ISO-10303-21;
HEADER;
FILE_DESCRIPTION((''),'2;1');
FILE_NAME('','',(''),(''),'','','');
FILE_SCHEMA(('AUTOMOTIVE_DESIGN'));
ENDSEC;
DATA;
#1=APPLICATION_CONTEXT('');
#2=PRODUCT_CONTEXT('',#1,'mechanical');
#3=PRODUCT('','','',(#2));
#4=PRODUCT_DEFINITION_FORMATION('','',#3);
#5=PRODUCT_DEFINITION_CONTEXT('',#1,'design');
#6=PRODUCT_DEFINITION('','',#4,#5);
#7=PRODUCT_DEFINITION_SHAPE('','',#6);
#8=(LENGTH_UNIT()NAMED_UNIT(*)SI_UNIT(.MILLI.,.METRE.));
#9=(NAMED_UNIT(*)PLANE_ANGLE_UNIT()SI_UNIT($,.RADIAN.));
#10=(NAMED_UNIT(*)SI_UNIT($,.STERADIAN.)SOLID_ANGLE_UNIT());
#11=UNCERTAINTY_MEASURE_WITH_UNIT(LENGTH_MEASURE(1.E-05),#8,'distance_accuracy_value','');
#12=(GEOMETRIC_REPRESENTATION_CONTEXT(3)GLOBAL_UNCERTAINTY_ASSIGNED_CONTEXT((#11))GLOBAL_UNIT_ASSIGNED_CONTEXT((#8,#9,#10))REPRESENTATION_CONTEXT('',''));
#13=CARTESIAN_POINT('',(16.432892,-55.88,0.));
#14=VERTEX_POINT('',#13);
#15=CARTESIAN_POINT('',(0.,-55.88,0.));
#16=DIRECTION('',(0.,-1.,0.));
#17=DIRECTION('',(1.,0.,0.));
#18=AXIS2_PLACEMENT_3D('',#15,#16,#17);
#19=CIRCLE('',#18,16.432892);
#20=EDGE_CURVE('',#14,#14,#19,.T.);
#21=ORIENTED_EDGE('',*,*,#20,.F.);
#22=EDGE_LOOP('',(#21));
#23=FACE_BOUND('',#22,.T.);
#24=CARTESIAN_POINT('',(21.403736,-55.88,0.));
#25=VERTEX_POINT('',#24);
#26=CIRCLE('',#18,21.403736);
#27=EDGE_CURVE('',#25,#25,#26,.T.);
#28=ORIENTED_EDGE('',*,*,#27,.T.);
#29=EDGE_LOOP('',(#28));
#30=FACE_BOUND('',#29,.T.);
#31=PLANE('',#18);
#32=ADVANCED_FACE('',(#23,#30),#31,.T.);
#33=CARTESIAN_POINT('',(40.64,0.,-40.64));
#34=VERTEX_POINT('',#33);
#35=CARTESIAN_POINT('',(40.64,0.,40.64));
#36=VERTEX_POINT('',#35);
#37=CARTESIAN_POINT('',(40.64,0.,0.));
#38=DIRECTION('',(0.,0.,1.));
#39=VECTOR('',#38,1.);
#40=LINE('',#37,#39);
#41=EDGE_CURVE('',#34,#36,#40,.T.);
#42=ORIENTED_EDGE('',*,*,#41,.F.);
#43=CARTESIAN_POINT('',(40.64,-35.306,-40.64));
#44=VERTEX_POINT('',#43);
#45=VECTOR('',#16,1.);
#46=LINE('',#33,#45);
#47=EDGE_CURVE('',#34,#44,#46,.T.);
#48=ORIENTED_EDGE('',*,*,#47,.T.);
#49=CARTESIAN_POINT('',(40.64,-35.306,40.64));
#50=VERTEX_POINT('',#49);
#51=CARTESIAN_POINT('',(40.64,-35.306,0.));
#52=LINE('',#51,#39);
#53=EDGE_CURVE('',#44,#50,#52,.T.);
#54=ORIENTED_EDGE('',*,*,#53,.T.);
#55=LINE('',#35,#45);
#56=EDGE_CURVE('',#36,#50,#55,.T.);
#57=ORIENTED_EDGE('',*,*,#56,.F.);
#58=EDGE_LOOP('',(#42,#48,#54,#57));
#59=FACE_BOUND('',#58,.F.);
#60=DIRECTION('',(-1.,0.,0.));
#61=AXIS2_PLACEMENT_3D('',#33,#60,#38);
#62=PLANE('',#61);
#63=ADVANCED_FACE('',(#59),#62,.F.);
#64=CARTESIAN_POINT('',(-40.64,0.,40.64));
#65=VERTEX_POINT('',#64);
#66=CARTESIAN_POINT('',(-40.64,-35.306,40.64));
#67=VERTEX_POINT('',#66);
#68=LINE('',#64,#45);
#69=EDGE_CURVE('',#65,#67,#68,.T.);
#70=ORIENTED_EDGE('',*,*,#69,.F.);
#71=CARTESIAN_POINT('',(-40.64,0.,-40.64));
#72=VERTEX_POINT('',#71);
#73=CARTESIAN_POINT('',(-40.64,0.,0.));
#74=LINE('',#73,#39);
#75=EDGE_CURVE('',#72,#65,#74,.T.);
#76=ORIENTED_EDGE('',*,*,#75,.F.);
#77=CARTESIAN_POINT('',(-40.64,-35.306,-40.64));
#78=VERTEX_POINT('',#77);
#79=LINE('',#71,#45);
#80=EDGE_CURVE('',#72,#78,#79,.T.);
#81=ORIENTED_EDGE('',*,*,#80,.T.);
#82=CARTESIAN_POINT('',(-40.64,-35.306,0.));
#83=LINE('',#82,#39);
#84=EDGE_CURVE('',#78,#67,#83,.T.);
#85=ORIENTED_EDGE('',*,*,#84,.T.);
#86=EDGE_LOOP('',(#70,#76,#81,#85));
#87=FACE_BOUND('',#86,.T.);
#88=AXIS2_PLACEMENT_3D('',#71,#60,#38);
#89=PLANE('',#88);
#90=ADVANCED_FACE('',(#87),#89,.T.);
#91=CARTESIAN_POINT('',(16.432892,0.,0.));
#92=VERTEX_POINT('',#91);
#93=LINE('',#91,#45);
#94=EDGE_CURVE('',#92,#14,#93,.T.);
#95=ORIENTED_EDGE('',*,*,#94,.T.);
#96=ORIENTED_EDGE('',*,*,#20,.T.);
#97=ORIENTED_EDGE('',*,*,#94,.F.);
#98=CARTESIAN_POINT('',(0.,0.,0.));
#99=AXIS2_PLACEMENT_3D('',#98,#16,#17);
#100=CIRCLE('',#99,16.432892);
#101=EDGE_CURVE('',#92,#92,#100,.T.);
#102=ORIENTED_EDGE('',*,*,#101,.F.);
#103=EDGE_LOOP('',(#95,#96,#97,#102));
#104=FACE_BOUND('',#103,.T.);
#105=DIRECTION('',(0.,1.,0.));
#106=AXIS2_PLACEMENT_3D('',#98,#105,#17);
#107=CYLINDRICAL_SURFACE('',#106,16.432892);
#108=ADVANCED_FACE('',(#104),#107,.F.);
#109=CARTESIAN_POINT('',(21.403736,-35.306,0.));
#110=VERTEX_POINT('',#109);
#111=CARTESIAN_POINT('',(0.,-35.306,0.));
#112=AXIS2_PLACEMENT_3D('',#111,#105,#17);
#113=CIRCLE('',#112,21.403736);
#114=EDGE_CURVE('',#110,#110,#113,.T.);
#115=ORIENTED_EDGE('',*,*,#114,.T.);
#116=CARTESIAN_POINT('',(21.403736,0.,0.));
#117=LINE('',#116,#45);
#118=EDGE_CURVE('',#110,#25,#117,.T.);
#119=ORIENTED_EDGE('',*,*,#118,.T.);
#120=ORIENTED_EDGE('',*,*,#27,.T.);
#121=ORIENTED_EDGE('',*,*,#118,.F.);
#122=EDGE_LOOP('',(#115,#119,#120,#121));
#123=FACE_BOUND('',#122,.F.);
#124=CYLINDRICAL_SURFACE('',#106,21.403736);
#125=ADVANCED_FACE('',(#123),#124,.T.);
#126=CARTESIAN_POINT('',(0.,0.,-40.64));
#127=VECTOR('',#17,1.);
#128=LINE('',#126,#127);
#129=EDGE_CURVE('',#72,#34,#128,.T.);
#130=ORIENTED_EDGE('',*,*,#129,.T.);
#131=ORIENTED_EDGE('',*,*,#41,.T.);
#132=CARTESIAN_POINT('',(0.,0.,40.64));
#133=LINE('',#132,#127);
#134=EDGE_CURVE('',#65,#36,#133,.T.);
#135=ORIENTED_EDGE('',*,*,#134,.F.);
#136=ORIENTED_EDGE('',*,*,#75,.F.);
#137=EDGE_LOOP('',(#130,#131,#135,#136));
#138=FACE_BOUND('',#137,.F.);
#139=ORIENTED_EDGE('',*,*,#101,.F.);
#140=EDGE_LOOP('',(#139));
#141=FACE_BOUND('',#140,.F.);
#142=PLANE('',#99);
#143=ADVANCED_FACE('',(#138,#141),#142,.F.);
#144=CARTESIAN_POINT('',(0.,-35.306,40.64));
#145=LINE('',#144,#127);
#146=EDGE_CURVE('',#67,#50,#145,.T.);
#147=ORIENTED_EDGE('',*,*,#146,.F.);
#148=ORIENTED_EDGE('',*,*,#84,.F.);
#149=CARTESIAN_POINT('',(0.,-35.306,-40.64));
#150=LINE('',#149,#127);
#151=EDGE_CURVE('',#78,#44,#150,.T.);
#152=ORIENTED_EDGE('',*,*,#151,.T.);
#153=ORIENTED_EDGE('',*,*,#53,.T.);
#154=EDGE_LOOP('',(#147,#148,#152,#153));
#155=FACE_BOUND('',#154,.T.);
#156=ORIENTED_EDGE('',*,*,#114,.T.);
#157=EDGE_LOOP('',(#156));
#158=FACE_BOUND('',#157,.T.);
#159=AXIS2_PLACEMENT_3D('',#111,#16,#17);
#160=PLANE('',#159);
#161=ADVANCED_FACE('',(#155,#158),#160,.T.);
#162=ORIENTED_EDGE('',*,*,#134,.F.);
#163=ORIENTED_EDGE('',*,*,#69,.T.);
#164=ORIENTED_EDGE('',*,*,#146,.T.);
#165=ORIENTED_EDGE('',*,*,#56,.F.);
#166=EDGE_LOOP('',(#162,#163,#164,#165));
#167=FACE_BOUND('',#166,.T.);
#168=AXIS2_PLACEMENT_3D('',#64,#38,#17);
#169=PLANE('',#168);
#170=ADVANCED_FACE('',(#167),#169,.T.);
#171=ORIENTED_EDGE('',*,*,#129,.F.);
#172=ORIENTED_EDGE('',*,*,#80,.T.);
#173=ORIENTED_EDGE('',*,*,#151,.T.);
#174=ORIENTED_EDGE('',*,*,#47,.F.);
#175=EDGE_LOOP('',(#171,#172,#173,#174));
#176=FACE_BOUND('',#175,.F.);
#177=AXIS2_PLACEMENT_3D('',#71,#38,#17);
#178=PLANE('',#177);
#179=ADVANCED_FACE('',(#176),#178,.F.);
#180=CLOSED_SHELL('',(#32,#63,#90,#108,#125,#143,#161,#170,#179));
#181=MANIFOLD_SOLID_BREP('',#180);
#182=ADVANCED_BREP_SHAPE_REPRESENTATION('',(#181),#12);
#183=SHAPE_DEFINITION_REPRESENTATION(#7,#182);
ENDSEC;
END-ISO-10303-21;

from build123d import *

# Parameters (mm, degrees)
F0_W     = 81.28
F0_H     = 81.28
F1_DEPTH = 35.306
F2_R     = 16.432892
F3_DEPTH = 52.324
F2_R_2   = 21.403736
F4_DEPTH = 55.88


with BuildPart() as f1:
    # F0 (on Front) → F1 (new body)
    with BuildSketch(Plane.XZ):
        Rectangle(F0_W, F0_H)
    extrude(amount=F1_DEPTH)

    # F2 (on Front) → F3 (cut)
    with BuildSketch(Plane.XZ):
        Circle(F2_R)
    extrude(amount=F3_DEPTH, mode=Mode.SUBTRACT)

    # F2 (on Front) → F4 (join)
    with BuildSketch(Plane.XZ):
        Circle(F2_R_2)
        Circle(F2_R, mode=Mode.SUBTRACT)
    extrude(amount=F4_DEPTH)


solid = f1.part
